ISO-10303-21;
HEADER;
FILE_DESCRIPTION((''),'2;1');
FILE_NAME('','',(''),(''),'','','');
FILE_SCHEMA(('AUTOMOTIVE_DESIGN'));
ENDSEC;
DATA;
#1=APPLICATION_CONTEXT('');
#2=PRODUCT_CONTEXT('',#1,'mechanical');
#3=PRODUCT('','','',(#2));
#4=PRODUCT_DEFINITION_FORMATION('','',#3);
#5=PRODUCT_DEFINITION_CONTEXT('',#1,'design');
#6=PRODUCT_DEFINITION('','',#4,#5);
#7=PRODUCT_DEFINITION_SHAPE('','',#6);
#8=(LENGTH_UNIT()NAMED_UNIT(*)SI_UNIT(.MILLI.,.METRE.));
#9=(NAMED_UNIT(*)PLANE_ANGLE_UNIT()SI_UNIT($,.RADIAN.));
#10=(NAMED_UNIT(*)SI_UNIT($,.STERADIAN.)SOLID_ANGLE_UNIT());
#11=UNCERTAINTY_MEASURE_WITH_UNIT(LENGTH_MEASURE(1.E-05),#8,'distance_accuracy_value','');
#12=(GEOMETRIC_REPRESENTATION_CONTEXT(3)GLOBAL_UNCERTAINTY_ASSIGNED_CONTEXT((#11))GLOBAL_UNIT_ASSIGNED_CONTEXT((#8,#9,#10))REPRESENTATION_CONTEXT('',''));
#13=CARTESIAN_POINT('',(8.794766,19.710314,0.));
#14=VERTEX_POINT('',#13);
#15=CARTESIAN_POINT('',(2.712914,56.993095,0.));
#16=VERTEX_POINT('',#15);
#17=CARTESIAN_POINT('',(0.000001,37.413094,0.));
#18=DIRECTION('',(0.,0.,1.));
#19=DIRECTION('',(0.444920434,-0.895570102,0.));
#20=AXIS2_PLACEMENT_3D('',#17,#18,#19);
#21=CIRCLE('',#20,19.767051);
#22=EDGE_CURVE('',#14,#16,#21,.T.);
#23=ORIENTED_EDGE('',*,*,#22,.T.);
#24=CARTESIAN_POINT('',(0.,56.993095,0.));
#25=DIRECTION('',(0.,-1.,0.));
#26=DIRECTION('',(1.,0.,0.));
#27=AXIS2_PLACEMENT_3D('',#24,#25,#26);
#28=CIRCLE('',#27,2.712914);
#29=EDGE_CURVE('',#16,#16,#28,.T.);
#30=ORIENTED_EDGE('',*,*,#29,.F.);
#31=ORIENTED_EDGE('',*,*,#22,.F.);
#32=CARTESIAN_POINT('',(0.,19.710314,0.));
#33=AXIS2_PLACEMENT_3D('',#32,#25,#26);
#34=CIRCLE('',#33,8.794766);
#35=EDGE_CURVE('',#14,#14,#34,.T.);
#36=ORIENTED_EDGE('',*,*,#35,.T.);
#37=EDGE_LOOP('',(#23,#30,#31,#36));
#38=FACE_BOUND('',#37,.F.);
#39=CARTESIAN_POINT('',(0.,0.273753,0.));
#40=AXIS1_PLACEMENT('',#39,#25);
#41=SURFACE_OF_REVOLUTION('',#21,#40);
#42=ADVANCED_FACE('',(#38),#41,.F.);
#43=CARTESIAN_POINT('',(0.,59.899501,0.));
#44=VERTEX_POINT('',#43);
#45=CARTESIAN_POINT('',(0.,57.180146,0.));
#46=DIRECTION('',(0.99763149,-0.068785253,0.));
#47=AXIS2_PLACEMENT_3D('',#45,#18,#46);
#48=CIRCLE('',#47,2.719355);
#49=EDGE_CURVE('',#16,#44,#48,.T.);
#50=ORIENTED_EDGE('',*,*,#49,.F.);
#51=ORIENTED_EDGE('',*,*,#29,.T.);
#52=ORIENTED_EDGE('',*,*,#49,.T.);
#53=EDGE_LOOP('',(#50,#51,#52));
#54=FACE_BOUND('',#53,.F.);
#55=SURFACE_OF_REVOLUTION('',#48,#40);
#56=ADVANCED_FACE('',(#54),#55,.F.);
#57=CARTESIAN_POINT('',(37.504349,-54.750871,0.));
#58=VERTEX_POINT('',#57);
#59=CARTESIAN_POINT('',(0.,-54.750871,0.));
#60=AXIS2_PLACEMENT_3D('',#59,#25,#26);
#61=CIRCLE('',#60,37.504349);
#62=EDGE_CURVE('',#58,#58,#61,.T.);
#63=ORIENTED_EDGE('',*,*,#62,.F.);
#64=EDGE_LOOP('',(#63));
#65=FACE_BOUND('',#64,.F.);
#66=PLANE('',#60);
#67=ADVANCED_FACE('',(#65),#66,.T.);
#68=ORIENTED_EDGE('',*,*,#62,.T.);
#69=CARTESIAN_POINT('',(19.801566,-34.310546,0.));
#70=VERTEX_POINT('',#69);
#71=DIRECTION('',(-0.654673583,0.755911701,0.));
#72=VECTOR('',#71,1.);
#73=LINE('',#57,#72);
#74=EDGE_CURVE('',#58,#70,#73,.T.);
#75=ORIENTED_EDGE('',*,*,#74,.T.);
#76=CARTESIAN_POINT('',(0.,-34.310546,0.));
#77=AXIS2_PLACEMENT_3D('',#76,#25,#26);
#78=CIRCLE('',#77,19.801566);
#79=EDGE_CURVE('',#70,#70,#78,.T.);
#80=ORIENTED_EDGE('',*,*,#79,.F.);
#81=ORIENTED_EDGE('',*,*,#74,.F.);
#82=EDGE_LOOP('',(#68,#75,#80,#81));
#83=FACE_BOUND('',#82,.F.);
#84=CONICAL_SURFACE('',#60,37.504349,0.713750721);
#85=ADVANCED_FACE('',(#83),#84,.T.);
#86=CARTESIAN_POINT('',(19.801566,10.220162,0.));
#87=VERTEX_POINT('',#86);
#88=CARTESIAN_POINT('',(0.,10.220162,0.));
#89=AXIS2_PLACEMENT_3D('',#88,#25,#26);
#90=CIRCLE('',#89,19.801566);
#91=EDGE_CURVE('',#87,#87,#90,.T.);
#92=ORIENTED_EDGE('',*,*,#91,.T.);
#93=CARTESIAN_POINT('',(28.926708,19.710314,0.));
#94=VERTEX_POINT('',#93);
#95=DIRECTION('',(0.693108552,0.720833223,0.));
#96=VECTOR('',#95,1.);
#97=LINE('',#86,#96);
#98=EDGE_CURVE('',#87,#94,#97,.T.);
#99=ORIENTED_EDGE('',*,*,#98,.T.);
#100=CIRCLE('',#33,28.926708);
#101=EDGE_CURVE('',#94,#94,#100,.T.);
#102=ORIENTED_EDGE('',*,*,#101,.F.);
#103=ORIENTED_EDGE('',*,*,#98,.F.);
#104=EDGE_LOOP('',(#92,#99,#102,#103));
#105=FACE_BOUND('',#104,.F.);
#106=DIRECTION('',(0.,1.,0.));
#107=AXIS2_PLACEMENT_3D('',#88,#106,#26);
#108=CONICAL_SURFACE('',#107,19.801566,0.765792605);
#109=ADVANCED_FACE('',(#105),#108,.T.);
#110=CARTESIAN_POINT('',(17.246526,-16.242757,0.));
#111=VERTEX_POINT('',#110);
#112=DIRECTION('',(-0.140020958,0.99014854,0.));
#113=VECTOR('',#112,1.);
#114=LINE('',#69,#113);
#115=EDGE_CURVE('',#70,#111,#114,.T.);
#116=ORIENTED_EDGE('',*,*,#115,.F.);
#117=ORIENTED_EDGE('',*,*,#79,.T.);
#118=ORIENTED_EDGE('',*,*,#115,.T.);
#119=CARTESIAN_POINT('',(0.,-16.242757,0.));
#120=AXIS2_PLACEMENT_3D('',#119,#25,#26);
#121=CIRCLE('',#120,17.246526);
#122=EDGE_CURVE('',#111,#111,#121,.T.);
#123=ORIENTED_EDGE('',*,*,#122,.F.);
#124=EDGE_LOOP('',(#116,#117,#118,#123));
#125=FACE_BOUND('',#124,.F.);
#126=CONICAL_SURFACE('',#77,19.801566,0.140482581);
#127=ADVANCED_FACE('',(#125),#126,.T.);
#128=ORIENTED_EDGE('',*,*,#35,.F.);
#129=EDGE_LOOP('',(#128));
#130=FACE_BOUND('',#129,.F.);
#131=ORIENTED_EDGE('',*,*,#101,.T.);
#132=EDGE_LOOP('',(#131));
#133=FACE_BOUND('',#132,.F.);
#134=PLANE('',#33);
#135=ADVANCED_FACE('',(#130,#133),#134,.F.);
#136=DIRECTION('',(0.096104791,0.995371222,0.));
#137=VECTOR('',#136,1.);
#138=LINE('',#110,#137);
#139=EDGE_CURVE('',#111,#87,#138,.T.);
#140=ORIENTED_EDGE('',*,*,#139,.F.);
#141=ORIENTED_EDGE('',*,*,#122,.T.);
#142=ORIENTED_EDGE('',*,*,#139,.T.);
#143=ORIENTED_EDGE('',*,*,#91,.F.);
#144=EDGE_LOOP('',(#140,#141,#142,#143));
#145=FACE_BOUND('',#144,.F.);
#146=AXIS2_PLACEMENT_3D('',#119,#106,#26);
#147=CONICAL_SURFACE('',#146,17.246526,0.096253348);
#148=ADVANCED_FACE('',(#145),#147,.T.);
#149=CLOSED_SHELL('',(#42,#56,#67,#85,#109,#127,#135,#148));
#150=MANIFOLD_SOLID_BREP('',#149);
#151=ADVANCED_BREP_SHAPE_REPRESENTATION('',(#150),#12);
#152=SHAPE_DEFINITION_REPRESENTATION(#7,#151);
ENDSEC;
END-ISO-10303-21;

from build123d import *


with BuildPart() as f1:
    # F0 (on Top) → F1 (revolve)
    with BuildSketch(Plane.XY):
        with BuildLine():
            Line((19.801566, 19.710314), (8.794766, 19.710314))
            ThreePointArc((8.794766, 19.710314), (19.509181, 40.59558), (2.712914, 56.993095))
            ThreePointArc((2.712914, 56.993095), (1.987907, 59.03571), (0, 59.899501))
            Line((0, 59.899501), (0, 19.710314))
            Line((0, 19.710314), (0, -34.310546))
            Line((0, -34.310546), (0, -54.750871))
            Line((0, -54.750871), (37.504349, -54.750871))
            Line((37.504349, -54.750871), (19.801566, -34.310546))
            Line((19.801566, -34.310546), (17.246526, -16.242757))
            Line((17.246526, -16.242757), (19.801566, 10.220162))
            Line((19.801566, 10.220162), (28.926708, 19.710314))
            Line((28.926708, 19.710314), (19.801566, 19.710314))
        make_face()
    revolve(axis=Axis((0, 0.273753, 0), (0, -1, 0)))


solid = f1.part
